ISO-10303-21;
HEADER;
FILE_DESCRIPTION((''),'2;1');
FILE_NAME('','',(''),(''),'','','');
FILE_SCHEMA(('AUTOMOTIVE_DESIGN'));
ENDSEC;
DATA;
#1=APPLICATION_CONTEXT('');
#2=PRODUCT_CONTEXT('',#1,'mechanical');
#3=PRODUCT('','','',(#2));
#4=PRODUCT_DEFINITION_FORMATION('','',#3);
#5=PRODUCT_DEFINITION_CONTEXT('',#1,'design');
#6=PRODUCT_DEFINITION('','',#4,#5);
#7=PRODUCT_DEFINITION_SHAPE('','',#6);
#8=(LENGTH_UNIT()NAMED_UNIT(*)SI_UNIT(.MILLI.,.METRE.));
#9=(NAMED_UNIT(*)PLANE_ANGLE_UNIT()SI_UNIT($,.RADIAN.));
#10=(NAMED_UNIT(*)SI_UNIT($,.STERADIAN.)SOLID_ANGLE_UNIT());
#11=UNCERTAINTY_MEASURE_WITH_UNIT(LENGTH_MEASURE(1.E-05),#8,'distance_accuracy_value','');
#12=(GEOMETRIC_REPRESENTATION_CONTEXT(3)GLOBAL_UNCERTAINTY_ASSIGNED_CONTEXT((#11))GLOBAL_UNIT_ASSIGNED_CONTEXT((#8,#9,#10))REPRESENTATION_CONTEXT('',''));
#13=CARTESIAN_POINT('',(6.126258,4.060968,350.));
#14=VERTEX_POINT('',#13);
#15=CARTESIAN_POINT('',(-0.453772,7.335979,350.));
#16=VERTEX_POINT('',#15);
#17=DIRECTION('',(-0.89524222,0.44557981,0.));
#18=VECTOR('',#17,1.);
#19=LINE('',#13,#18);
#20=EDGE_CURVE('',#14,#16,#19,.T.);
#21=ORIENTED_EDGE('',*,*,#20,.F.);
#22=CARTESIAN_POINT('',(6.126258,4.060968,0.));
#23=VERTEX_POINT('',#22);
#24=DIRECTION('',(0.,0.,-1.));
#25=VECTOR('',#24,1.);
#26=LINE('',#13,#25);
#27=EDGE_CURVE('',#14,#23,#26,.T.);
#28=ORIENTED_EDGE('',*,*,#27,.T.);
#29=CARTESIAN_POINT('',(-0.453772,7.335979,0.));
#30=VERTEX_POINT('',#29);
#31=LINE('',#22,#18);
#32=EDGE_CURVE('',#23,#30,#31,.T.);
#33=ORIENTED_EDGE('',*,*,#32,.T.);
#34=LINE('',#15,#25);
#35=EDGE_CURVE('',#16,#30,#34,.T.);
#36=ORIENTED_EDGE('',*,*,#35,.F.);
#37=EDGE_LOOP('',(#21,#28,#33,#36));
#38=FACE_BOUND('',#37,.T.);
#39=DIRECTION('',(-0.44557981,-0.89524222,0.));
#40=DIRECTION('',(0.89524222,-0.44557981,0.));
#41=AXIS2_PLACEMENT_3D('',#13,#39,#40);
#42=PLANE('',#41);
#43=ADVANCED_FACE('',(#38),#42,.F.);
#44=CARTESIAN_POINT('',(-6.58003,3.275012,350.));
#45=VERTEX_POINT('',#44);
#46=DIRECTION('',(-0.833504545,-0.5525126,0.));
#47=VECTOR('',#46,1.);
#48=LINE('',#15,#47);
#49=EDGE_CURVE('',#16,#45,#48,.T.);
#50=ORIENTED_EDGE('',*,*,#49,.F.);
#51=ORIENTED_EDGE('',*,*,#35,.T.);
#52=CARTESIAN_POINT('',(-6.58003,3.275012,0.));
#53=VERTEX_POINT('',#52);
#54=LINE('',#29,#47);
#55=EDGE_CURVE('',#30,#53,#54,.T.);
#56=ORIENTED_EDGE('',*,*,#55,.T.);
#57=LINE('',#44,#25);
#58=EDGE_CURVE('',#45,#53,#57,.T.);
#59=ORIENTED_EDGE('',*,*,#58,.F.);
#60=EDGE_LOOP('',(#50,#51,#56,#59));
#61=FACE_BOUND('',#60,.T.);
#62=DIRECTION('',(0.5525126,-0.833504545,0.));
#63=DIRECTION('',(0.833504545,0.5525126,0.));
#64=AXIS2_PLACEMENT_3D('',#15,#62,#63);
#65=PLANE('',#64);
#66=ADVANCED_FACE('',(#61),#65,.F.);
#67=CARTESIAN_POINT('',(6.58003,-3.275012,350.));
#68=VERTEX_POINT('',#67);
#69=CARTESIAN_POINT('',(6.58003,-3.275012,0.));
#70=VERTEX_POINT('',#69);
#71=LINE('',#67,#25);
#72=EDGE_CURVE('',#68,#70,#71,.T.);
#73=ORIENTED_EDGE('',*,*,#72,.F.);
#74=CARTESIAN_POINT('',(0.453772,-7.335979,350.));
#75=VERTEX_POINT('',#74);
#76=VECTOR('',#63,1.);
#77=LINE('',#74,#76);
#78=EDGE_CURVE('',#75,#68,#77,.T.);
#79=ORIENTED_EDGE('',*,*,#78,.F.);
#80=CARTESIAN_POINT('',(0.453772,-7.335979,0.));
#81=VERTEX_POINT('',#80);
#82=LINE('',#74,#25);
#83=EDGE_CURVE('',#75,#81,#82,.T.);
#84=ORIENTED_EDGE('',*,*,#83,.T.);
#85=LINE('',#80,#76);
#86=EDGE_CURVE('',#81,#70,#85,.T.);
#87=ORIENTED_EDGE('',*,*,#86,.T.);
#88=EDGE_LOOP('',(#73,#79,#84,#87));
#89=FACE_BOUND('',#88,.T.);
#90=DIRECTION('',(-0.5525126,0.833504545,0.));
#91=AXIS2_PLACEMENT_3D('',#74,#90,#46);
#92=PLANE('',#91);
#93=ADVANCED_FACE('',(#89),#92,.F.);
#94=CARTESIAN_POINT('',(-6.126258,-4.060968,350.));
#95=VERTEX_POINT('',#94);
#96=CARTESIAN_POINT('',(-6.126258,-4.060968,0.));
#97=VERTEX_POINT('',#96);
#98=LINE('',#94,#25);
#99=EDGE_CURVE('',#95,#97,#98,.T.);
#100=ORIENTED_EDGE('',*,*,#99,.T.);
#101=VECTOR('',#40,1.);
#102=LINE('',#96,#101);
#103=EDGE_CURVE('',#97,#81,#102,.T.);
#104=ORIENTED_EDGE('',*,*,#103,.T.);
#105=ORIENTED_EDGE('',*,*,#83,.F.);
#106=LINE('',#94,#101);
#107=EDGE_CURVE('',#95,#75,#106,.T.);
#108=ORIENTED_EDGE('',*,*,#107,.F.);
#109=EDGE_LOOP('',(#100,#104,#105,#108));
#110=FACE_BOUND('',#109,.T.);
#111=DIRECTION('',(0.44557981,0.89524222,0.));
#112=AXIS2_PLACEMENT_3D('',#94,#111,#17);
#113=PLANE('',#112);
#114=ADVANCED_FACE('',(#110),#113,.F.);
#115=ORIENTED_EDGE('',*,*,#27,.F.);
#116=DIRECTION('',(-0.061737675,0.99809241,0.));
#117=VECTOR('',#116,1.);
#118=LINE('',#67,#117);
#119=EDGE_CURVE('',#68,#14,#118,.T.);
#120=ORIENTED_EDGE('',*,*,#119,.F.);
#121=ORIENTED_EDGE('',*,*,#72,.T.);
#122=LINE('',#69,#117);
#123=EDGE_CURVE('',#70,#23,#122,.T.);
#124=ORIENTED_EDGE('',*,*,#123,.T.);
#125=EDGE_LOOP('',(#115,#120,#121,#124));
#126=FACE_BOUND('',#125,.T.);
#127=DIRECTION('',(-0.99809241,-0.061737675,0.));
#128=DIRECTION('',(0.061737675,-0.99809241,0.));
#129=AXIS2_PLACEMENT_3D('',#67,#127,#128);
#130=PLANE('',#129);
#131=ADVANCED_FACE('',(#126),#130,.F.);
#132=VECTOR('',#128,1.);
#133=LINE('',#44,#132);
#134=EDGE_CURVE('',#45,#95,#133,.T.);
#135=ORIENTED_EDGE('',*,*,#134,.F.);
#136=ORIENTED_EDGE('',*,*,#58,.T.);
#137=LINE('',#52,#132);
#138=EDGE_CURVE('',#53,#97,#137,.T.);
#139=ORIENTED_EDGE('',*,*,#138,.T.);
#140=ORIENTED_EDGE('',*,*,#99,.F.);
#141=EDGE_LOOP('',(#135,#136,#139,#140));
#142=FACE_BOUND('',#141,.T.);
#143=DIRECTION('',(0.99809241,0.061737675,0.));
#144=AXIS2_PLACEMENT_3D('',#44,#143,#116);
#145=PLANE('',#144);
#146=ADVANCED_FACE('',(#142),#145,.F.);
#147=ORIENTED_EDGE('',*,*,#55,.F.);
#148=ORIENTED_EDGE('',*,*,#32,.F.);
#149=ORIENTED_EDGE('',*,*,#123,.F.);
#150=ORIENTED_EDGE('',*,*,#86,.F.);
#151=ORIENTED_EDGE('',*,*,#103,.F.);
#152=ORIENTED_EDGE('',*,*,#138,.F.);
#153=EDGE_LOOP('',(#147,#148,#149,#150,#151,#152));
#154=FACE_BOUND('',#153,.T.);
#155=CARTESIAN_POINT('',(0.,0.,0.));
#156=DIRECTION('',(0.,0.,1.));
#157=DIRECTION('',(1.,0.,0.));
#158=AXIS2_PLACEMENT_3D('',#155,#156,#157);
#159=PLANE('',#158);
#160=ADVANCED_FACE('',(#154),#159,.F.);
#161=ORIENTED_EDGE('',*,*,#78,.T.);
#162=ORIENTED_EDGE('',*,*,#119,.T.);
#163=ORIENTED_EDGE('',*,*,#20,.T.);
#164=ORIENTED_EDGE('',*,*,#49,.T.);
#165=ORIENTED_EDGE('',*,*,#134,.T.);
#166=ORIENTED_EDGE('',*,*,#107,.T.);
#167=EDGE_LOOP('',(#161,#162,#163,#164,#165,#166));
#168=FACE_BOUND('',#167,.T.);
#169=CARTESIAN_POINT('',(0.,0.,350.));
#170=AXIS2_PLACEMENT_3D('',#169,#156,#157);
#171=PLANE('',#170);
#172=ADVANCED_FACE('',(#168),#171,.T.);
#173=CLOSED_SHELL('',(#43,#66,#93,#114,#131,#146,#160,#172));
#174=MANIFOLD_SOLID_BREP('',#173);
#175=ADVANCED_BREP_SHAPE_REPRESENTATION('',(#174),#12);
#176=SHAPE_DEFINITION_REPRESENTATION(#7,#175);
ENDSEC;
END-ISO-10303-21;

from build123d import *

# Parameters (mm, degrees)
BOSS_EXTRUDE1_DEPTH = 350


with BuildPart() as part:
    # Sketch1 → Boss-Extrude1 (new body)
    with BuildSketch(Plane.XY):
        Polygon((-0.45377191, 7.335979216), (-6.580030318, 3.275011606), (-6.126258407, -4.06096761), (0.45377191, -7.335979216), (6.580030318, -3.275011606), (6.126258407, 4.06096761), align=None)
    extrude(amount=BOSS_EXTRUDE1_DEPTH)


solid = part.part
